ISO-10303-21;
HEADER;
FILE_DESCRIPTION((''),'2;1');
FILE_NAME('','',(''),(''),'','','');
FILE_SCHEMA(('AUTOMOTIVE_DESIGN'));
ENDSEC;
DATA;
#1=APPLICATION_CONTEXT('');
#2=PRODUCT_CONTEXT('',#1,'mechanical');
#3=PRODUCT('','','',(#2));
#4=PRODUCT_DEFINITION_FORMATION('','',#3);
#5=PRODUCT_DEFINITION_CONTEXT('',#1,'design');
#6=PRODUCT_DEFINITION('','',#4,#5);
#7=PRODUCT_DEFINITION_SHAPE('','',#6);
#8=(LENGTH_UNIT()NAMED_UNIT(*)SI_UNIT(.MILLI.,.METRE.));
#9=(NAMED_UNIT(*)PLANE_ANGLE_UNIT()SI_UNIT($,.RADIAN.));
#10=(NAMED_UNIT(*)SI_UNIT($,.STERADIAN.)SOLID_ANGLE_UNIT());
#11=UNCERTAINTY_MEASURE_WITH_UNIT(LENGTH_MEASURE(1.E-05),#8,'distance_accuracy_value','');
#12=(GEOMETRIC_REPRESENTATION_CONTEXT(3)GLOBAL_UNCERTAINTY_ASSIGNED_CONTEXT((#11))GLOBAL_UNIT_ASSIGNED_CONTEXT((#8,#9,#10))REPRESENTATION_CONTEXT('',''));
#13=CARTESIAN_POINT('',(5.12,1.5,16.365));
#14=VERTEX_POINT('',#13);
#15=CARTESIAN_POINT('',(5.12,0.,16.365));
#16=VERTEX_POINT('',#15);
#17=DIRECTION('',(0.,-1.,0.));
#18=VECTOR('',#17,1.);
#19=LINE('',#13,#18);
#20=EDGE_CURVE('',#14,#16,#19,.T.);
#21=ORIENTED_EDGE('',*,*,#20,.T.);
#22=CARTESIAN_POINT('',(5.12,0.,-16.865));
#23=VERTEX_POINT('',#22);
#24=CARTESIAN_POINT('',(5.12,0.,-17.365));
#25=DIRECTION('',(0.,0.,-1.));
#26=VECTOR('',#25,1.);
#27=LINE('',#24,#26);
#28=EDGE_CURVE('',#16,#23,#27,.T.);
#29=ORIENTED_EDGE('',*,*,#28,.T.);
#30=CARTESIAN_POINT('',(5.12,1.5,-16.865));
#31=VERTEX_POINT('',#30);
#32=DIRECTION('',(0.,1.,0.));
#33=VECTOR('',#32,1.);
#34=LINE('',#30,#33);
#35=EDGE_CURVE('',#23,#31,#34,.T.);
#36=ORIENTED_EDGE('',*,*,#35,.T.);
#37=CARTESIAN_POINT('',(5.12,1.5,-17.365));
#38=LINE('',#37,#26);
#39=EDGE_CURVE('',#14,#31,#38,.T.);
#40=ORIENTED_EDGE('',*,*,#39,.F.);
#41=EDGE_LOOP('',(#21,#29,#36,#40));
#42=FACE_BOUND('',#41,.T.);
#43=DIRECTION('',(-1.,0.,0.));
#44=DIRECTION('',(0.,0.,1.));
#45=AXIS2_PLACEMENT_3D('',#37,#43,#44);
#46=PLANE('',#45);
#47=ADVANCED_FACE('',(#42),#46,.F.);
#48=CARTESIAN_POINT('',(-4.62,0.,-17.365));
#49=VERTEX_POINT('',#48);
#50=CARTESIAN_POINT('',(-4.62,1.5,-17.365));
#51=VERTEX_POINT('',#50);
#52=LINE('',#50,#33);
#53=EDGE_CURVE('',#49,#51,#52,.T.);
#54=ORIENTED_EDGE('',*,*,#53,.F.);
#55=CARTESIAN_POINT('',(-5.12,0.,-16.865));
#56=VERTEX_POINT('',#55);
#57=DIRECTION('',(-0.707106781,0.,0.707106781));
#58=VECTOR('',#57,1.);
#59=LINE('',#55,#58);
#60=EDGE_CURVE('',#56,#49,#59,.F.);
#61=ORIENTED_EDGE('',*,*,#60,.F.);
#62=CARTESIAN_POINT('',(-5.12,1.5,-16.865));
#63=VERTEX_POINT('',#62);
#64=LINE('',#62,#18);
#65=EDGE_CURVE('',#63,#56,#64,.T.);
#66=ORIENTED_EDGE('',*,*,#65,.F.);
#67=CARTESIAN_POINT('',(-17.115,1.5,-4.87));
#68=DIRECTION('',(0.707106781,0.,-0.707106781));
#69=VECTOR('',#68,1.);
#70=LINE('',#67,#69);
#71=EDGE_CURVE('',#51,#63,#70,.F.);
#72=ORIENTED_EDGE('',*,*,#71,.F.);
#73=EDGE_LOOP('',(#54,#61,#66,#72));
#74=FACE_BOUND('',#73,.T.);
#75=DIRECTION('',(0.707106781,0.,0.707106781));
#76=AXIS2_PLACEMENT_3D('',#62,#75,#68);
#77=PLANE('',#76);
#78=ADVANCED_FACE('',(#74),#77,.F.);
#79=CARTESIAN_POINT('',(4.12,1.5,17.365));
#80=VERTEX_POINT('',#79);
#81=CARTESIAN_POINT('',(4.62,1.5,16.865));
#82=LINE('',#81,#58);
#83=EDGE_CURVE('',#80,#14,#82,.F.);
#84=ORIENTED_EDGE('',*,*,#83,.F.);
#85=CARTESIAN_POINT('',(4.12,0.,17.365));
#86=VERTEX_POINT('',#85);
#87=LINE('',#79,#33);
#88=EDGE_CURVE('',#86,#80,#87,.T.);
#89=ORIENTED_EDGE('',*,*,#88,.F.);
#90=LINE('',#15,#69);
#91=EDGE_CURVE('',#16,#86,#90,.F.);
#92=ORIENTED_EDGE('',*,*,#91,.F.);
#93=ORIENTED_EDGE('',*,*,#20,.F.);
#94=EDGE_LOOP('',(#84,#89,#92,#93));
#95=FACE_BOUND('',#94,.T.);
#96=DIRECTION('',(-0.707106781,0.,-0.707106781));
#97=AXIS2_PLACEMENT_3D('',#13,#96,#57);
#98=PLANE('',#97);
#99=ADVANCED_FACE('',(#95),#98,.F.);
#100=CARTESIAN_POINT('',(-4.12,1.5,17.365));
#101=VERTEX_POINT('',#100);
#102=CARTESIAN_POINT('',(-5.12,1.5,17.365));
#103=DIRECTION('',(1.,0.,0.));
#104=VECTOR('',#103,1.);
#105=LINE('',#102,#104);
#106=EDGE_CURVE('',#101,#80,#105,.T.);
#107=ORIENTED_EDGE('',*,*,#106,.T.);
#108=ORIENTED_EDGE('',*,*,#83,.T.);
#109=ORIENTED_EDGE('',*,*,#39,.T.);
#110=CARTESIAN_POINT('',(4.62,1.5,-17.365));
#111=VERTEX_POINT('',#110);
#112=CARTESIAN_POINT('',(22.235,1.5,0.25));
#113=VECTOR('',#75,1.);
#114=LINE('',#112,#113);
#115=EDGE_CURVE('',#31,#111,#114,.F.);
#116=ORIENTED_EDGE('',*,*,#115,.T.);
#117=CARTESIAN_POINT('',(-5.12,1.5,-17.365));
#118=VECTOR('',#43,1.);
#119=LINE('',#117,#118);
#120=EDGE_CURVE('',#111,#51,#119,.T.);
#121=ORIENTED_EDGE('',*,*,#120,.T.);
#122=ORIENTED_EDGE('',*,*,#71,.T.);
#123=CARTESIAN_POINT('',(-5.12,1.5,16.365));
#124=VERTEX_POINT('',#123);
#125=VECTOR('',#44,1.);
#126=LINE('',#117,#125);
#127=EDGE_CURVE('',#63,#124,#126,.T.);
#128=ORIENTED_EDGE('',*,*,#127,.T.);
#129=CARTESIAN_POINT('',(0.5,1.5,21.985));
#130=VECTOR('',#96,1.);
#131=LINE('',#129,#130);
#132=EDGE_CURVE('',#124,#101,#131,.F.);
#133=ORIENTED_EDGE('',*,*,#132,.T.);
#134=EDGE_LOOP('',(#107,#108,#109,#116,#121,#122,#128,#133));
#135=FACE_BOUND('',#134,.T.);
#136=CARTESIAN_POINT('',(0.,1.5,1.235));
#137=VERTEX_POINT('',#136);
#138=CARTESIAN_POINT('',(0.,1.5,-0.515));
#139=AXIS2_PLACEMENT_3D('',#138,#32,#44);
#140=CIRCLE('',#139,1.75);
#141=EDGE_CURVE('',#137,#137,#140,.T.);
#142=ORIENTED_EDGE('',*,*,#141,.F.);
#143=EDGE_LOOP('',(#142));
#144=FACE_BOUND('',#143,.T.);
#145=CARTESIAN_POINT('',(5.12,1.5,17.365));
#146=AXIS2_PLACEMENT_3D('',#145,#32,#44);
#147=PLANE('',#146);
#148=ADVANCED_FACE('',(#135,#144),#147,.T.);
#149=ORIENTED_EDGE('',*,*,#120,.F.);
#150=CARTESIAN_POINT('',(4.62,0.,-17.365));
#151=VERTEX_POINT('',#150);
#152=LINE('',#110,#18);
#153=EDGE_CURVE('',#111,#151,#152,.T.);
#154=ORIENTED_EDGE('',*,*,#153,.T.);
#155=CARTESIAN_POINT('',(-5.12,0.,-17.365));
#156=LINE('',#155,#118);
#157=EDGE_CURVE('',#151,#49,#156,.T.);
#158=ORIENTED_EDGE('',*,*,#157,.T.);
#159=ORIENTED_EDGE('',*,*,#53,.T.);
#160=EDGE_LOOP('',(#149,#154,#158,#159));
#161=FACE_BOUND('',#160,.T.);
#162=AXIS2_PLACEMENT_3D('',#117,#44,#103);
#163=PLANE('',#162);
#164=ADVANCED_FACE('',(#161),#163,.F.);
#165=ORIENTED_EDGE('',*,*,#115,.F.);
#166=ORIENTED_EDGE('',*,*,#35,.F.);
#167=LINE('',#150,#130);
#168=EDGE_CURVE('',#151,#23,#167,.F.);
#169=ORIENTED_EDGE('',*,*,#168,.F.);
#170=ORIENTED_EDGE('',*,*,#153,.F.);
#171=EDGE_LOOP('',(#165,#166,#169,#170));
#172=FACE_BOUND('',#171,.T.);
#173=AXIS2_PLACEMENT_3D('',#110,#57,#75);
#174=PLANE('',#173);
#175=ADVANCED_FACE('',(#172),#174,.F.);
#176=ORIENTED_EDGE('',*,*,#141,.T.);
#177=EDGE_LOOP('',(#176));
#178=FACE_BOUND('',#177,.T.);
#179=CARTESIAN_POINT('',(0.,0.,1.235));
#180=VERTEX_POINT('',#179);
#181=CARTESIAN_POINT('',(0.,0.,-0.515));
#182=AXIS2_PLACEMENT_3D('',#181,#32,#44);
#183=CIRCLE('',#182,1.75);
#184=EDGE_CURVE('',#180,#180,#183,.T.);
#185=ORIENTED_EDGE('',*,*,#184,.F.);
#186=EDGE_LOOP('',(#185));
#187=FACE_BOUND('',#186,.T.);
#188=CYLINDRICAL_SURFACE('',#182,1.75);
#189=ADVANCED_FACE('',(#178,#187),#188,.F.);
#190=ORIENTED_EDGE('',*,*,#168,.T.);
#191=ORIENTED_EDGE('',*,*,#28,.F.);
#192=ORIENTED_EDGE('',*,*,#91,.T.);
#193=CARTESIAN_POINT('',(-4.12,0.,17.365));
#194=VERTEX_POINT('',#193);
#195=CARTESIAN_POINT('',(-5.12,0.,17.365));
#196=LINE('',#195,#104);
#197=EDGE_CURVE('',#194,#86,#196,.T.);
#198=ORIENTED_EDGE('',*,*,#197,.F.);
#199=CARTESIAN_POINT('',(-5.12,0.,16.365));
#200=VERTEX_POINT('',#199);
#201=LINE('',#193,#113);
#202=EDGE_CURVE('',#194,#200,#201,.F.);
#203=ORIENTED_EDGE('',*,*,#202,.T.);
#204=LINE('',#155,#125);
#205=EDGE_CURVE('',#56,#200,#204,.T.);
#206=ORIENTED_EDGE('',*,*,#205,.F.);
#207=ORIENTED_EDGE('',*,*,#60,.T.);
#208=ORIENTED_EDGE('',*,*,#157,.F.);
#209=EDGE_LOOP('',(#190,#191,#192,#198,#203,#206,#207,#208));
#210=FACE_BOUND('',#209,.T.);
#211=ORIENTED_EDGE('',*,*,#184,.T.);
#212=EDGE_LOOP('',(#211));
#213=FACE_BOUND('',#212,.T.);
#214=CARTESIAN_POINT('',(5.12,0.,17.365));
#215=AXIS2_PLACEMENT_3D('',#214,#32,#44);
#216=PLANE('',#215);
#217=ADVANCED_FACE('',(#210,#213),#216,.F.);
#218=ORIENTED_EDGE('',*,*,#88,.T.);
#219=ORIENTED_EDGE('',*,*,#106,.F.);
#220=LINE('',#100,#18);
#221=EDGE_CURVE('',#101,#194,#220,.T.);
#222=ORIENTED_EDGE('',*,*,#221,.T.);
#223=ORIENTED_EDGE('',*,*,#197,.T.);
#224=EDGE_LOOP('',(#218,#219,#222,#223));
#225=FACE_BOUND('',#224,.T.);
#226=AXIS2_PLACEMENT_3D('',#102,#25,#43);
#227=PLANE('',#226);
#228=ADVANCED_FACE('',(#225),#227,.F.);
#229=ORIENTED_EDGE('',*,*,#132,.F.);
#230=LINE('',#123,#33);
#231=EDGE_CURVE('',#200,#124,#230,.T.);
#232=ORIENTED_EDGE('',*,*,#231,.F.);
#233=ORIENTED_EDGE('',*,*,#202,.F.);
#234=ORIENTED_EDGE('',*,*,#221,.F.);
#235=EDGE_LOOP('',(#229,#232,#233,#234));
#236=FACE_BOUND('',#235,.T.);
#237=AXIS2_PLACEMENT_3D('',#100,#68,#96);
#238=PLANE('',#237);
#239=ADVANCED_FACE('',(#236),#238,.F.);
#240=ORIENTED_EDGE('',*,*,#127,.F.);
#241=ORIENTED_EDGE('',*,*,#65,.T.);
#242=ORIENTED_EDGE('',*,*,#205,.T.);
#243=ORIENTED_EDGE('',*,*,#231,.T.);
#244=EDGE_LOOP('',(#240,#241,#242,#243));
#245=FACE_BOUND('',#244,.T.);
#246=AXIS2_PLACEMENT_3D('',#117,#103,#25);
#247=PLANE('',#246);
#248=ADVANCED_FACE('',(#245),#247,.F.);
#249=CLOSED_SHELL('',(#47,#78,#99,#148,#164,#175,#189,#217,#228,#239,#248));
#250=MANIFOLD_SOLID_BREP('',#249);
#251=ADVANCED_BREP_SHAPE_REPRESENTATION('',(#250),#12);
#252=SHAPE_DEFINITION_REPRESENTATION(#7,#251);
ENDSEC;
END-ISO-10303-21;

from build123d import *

# Parameters (mm, degrees)
SKETCH1_W           = 10.24
SKETCH1_H           = 34.73
BOSS_EXTRUDE1_DEPTH = 1.5
CHAMFER1_SIZE       = 0.5
CHAMFER2_SIZE       = 1
SKETCH2_R           = 1.75
CUT_EXTRUDE1_DEPTH  = 2.5


with BuildPart() as part:
    # Sketch1 → Boss-Extrude1 (new body)
    with BuildSketch(Plane(origin=(0, 0, 0), x_dir=(1, 0, 0), z_dir=(0, 1, 0))):
        Rectangle(SKETCH1_W, SKETCH1_H)
    extrude(amount=BOSS_EXTRUDE1_DEPTH)

    # Chamfer1
    chamfer1_edges = [part.edges().sort_by_distance(p)[0] for p in [
        (-5.12, 0.75, -17.365),
        (5.12, 0.75, -17.365),
    ]]
    chamfer(chamfer1_edges, length=CHAMFER1_SIZE)

    # Chamfer2
    chamfer2_edges = [part.edges().sort_by_distance(p)[0] for p in [
        (5.12, 0.75, 17.365),
        (-5.12, 0.75, 17.365),
    ]]
    chamfer(chamfer2_edges, length=CHAMFER2_SIZE)

    # Sketch2 → Cut-Extrude1 (cut, through all)
    with BuildSketch(Plane(origin=(0, 1.5, 0), x_dir=(1, 0, 0), z_dir=(0, 1, 0))):
        with Locations((0, 0.515)):
            Circle(SKETCH2_R)
    extrude(amount=-CUT_EXTRUDE1_DEPTH, mode=Mode.SUBTRACT)


solid = part.part
